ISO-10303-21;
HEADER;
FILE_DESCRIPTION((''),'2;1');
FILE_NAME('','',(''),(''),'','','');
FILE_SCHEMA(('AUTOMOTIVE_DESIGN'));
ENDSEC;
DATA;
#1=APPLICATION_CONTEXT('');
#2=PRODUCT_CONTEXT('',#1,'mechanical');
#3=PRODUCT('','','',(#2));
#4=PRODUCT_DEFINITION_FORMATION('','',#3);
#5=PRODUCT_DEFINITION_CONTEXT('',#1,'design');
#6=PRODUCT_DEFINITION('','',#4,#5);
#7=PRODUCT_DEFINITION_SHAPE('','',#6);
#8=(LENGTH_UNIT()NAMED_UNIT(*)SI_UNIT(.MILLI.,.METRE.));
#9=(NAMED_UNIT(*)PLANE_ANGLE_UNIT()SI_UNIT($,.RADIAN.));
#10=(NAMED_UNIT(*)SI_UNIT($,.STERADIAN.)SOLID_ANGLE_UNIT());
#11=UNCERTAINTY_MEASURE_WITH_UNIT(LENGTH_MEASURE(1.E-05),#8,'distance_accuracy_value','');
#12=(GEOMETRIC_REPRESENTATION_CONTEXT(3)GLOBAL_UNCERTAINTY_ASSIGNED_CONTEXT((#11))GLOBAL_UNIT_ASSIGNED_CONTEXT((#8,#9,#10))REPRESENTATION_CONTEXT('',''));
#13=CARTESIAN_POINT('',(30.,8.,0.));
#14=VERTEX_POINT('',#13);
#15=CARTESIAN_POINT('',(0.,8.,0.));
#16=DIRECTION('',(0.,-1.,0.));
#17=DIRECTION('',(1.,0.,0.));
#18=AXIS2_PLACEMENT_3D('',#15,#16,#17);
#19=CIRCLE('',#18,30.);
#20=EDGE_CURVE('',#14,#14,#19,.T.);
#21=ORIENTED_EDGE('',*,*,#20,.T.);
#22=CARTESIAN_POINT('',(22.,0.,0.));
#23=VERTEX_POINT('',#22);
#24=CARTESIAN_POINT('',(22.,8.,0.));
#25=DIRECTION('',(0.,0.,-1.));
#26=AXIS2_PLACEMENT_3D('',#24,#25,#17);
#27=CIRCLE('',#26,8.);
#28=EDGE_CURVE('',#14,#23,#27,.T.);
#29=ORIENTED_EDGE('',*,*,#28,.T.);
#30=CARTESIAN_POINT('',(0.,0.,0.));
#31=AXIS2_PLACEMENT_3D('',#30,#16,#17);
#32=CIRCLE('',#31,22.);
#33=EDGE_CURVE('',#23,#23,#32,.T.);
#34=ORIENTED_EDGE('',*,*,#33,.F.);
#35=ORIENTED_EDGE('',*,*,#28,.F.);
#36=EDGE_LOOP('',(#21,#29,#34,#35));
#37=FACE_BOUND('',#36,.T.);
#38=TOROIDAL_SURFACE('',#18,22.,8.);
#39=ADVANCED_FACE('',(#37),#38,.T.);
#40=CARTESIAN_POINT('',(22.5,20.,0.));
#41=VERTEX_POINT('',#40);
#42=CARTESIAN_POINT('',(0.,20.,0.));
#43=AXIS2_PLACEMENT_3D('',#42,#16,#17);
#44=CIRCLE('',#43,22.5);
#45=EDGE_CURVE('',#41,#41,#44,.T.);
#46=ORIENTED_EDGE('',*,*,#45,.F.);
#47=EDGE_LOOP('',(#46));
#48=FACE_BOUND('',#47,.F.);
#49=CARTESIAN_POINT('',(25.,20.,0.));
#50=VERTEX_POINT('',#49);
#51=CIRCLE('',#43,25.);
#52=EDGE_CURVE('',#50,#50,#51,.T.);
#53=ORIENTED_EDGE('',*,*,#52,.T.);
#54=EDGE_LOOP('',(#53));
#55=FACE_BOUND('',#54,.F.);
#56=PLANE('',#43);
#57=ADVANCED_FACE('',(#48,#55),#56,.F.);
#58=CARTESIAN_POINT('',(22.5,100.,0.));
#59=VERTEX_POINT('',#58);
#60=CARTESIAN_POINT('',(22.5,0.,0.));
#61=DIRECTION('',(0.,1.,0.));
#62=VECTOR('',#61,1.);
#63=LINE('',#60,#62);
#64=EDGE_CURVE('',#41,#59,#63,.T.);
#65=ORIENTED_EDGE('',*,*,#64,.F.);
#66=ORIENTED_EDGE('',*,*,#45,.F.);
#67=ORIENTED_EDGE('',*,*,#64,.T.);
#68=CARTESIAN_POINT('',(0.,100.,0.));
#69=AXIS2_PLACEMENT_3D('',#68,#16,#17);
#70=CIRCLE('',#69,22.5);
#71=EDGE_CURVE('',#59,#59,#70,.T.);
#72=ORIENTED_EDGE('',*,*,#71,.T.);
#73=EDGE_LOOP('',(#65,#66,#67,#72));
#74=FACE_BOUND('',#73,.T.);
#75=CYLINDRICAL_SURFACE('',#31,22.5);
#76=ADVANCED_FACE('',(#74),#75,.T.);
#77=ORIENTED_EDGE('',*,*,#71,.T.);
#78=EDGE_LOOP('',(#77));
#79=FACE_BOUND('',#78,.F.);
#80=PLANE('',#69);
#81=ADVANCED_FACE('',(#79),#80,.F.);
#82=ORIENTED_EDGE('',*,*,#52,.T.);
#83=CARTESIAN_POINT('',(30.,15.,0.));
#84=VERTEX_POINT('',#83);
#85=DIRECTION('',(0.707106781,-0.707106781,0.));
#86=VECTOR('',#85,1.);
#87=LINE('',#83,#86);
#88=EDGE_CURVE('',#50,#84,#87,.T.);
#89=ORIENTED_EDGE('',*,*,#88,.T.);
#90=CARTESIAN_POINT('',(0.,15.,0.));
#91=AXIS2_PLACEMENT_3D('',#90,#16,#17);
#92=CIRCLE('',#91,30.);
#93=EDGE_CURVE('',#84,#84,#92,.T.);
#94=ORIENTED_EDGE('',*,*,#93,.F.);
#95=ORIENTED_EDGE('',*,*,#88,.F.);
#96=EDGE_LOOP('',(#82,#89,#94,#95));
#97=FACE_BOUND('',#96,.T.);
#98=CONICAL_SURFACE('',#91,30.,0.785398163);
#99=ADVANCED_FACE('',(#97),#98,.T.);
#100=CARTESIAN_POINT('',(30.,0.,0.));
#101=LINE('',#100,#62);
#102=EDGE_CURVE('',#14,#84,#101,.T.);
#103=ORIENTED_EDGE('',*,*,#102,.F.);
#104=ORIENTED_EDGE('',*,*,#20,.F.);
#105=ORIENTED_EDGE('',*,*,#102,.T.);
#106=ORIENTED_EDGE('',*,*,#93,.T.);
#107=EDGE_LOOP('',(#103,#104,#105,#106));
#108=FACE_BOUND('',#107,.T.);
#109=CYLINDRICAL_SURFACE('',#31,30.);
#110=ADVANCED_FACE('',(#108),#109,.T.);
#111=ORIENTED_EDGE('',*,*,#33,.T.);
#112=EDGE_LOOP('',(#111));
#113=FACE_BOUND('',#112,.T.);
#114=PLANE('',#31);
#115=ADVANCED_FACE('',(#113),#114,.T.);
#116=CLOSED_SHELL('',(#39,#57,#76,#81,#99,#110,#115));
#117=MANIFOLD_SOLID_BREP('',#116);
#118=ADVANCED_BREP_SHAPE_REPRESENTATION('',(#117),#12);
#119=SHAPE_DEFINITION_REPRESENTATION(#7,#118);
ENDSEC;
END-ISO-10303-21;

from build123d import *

# Parameters (mm, degrees)
F0_R     = 22.5
F0_R_2   = 30
F1_DEPTH = 20
F2_DEPTH = 100
F3_SIZE  = 5
F4_R     = 8


with BuildPart() as f1:
    # F0 (on Front) → F1 (new body)
    with BuildSketch(Plane.XZ):
        Circle(F0_R)
        Circle(F0_R_2)
        Circle(F0_R, mode=Mode.SUBTRACT)
    extrude(amount=-F1_DEPTH)

    # F0 (on Front) → F2 (join)
    with BuildSketch(Plane.XZ):
        Circle(F0_R)
    extrude(amount=-F2_DEPTH)

    # F3
    f3_edges = [f1.edges().sort_by_distance(p)[0] for p in [
        (-30, 20, 0),
    ]]
    chamfer(f3_edges, length=F3_SIZE)

    # F4
    f4_edges = [f1.edges().sort_by_distance(p)[0] for p in [
        (-30, 0, 0),
    ]]
    fillet(f4_edges, radius=F4_R)


solid = f1.part
